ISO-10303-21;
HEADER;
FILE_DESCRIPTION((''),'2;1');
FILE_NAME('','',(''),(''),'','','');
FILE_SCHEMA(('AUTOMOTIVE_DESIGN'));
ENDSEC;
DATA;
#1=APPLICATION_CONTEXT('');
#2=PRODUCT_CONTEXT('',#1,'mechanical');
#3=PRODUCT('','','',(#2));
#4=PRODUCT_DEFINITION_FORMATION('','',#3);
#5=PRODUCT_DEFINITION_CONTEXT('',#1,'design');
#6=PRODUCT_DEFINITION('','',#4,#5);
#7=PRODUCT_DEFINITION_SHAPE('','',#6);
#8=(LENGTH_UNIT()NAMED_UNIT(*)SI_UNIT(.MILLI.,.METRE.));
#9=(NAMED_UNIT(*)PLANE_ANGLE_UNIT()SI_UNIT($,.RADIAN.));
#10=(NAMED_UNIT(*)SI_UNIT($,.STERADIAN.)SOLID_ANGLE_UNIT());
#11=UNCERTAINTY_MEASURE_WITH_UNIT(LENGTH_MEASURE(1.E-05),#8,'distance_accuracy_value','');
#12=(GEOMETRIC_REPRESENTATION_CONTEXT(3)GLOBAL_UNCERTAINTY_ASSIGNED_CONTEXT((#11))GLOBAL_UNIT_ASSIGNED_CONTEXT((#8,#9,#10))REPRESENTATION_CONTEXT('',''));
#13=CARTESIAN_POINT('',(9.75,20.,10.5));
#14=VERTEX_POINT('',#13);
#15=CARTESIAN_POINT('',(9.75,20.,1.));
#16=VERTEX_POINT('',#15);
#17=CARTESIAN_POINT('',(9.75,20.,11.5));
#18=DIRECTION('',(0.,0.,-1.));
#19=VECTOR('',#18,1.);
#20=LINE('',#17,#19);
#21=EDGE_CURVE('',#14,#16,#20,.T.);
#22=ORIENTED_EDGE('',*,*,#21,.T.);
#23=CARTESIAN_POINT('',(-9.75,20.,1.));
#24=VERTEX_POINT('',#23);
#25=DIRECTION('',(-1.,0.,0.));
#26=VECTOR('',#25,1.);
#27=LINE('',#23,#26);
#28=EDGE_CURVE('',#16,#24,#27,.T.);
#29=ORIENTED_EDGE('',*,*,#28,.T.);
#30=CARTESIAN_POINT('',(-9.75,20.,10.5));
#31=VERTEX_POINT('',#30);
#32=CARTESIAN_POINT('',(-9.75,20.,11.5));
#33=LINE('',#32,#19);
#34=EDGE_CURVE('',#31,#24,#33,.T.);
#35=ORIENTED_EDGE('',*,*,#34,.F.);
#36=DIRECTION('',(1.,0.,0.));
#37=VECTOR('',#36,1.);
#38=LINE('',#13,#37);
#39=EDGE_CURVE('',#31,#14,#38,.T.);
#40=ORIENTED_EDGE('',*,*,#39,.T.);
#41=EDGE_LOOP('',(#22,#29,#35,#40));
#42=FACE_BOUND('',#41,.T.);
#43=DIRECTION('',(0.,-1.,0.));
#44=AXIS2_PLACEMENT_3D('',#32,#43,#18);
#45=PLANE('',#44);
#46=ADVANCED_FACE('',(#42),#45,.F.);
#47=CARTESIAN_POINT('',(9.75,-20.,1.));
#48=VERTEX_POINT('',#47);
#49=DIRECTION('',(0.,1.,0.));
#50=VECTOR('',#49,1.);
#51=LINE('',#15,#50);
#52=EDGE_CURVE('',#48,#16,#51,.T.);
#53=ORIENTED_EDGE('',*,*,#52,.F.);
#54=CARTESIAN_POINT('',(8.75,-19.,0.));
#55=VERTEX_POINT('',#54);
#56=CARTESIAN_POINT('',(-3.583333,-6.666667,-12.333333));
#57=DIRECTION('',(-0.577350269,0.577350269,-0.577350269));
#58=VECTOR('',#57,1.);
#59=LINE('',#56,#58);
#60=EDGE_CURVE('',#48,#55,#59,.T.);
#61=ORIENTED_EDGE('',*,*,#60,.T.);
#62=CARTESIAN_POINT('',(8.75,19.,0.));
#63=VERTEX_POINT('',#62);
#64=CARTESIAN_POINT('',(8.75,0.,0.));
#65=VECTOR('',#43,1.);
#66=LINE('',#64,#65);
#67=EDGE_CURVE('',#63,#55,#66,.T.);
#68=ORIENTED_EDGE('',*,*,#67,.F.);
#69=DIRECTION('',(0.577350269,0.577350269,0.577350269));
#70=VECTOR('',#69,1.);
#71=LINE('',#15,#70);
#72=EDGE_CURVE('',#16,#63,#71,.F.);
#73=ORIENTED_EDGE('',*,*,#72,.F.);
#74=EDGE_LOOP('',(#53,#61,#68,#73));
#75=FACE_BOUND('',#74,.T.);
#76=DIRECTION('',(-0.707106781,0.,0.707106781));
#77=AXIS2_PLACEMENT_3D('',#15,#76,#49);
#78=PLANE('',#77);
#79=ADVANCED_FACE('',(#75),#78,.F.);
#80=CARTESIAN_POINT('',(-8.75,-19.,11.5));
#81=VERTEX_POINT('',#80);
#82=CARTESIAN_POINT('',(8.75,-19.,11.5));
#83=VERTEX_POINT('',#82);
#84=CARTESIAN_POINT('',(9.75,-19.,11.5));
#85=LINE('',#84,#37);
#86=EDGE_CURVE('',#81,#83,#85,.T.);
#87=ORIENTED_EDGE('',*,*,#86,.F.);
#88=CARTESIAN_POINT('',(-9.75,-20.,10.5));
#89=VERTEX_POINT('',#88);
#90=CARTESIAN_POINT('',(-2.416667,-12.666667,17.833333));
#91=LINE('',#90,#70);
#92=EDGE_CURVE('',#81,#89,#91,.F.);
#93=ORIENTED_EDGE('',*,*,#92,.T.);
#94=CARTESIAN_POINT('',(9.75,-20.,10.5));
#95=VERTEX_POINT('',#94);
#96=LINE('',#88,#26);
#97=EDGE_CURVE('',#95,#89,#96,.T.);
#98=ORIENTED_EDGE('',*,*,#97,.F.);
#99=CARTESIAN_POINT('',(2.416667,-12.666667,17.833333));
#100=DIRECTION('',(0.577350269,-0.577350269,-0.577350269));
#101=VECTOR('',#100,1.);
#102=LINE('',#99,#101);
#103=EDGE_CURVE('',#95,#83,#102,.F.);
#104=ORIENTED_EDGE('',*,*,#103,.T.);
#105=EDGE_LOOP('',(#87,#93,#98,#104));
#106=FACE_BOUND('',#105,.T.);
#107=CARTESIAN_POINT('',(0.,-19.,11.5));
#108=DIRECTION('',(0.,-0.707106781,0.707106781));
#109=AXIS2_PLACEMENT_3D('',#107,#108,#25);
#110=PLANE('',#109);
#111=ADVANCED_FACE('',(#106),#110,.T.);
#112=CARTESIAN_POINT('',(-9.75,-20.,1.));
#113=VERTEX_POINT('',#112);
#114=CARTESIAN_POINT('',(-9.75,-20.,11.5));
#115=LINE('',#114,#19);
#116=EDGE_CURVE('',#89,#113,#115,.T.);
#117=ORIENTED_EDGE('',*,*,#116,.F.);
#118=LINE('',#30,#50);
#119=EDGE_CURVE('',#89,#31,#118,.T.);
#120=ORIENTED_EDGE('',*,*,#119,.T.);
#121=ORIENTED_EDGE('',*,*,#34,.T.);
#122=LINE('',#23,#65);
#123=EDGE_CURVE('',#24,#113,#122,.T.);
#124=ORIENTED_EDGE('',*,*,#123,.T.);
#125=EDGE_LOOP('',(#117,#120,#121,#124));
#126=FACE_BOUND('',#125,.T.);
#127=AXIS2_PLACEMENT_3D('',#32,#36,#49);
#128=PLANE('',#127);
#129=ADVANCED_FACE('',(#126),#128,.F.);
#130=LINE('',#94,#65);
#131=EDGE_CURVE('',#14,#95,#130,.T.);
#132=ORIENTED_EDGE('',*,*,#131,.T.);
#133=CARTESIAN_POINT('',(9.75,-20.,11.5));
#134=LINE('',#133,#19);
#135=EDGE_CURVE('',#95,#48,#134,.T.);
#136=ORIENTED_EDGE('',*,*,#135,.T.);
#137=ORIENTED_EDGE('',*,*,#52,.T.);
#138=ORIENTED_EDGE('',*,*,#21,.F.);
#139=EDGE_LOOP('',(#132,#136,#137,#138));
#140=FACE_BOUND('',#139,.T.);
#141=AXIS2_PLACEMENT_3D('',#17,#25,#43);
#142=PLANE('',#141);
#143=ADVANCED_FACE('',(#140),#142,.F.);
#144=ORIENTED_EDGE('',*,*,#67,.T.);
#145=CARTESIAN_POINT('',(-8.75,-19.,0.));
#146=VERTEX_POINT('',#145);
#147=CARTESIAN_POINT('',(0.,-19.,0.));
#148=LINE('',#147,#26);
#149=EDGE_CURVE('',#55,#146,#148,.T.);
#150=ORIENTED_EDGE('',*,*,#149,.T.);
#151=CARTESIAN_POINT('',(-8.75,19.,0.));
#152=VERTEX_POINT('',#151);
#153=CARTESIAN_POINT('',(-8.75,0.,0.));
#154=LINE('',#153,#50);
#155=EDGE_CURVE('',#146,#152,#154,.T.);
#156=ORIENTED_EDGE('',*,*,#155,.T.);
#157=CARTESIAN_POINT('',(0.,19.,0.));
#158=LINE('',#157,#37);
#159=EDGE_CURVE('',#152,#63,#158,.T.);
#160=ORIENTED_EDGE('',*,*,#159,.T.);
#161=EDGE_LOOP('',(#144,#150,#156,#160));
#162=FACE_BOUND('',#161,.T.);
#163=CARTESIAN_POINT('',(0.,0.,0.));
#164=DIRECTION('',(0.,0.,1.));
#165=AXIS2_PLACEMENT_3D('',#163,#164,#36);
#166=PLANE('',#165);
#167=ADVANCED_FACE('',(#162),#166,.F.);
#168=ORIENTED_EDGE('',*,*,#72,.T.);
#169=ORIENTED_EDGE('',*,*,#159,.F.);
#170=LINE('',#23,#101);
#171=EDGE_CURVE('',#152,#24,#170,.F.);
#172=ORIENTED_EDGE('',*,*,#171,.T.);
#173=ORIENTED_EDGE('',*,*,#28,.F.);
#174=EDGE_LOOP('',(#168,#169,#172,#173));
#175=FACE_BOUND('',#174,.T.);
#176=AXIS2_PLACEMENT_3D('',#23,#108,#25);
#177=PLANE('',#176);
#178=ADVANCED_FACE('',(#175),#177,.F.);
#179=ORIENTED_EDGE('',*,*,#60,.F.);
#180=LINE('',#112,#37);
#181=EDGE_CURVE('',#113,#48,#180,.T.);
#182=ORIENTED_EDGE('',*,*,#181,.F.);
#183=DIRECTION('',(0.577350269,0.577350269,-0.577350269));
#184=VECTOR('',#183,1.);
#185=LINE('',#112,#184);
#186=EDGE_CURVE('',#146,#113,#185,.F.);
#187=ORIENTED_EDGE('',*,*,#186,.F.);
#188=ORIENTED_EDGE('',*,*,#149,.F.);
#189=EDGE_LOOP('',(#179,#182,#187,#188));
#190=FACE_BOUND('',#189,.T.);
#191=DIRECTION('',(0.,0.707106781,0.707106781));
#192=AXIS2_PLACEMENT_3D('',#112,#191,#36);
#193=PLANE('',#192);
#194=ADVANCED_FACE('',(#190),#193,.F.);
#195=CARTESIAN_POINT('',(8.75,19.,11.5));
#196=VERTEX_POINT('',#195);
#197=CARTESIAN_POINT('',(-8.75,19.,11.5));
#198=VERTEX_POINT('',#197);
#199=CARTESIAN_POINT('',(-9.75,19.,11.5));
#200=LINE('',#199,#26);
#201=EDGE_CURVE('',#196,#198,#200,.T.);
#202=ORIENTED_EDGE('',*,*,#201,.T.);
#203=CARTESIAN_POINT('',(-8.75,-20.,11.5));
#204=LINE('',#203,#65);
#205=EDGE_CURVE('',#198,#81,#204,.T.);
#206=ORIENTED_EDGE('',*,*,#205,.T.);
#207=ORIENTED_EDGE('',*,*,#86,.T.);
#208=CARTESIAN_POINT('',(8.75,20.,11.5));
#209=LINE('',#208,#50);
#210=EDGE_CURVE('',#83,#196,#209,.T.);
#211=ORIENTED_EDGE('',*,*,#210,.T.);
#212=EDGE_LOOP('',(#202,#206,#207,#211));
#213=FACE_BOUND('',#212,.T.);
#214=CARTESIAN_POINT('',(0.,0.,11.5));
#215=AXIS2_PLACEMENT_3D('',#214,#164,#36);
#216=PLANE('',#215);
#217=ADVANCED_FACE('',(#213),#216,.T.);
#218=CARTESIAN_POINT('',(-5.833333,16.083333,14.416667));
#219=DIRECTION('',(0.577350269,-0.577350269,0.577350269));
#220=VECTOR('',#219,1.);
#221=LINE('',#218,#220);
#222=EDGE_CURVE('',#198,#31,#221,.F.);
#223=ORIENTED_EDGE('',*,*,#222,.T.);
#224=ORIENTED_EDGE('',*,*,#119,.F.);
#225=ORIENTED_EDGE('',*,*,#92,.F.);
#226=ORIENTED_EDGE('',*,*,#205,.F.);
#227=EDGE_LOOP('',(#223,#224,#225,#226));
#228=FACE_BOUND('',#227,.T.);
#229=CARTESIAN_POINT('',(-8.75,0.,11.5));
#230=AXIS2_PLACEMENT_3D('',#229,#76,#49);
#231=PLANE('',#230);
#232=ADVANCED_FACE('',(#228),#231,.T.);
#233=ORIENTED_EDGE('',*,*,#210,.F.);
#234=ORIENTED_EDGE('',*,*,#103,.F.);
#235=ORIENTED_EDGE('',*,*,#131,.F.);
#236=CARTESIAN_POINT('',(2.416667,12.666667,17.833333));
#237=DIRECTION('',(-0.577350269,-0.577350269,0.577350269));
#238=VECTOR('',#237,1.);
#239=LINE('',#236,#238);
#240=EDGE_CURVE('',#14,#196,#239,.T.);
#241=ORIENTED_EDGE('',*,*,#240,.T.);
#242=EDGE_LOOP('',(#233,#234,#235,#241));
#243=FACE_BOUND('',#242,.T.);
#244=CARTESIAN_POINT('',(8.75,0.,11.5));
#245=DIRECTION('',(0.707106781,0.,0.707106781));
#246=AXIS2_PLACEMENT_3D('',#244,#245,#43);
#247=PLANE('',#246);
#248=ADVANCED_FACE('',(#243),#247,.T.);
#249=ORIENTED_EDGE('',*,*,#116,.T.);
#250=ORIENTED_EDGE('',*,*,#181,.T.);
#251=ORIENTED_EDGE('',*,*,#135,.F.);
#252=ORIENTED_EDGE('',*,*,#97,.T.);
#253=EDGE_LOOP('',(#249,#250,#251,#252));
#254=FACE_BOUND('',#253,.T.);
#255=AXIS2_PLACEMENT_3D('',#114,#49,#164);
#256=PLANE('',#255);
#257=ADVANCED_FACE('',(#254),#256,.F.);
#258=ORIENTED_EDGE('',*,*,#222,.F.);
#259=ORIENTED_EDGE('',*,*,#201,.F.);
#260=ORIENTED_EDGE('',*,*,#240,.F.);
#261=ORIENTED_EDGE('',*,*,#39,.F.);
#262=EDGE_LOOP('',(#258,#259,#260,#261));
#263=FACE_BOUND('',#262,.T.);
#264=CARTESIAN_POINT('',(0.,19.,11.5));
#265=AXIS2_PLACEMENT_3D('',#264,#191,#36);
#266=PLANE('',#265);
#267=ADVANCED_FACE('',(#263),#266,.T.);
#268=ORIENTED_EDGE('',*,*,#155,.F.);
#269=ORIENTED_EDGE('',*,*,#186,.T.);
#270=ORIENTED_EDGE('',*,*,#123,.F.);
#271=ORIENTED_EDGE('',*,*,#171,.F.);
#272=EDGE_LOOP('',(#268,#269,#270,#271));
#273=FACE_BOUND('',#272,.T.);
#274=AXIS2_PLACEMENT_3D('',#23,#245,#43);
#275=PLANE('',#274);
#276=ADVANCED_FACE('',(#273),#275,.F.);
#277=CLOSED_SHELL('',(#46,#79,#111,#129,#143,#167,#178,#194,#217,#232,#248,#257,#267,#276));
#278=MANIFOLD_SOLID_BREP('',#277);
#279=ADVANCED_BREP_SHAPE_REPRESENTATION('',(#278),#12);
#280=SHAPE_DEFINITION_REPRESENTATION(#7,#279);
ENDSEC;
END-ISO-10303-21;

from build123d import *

# Parameters (mm, degrees)
SKETCH1_W           = 19.5
SKETCH1_H           = 40
BOSS_EXTRUDE1_DEPTH = 11.5
CHAMFER1_SIZE       = 1


with BuildPart() as part:
    # Sketch1 → Boss-Extrude1 (new body)
    with BuildSketch(Plane.XY):
        Rectangle(SKETCH1_W, SKETCH1_H)
    extrude(amount=BOSS_EXTRUDE1_DEPTH)

    # Chamfer1
    chamfer1_edges = [part.edges().sort_by_distance(p)[0] for p in [
        (-9.75, 0, 11.5),
        (0, -20, 11.5),
        (9.75, 0, 11.5),
        (0, -20, 0),
        (-9.75, 0, 0),
        (0, 20, 0),
        (9.75, 0, 0),
        (0, 20, 11.5),
    ]]
    chamfer(chamfer1_edges, length=CHAMFER1_SIZE)


solid = part.part
